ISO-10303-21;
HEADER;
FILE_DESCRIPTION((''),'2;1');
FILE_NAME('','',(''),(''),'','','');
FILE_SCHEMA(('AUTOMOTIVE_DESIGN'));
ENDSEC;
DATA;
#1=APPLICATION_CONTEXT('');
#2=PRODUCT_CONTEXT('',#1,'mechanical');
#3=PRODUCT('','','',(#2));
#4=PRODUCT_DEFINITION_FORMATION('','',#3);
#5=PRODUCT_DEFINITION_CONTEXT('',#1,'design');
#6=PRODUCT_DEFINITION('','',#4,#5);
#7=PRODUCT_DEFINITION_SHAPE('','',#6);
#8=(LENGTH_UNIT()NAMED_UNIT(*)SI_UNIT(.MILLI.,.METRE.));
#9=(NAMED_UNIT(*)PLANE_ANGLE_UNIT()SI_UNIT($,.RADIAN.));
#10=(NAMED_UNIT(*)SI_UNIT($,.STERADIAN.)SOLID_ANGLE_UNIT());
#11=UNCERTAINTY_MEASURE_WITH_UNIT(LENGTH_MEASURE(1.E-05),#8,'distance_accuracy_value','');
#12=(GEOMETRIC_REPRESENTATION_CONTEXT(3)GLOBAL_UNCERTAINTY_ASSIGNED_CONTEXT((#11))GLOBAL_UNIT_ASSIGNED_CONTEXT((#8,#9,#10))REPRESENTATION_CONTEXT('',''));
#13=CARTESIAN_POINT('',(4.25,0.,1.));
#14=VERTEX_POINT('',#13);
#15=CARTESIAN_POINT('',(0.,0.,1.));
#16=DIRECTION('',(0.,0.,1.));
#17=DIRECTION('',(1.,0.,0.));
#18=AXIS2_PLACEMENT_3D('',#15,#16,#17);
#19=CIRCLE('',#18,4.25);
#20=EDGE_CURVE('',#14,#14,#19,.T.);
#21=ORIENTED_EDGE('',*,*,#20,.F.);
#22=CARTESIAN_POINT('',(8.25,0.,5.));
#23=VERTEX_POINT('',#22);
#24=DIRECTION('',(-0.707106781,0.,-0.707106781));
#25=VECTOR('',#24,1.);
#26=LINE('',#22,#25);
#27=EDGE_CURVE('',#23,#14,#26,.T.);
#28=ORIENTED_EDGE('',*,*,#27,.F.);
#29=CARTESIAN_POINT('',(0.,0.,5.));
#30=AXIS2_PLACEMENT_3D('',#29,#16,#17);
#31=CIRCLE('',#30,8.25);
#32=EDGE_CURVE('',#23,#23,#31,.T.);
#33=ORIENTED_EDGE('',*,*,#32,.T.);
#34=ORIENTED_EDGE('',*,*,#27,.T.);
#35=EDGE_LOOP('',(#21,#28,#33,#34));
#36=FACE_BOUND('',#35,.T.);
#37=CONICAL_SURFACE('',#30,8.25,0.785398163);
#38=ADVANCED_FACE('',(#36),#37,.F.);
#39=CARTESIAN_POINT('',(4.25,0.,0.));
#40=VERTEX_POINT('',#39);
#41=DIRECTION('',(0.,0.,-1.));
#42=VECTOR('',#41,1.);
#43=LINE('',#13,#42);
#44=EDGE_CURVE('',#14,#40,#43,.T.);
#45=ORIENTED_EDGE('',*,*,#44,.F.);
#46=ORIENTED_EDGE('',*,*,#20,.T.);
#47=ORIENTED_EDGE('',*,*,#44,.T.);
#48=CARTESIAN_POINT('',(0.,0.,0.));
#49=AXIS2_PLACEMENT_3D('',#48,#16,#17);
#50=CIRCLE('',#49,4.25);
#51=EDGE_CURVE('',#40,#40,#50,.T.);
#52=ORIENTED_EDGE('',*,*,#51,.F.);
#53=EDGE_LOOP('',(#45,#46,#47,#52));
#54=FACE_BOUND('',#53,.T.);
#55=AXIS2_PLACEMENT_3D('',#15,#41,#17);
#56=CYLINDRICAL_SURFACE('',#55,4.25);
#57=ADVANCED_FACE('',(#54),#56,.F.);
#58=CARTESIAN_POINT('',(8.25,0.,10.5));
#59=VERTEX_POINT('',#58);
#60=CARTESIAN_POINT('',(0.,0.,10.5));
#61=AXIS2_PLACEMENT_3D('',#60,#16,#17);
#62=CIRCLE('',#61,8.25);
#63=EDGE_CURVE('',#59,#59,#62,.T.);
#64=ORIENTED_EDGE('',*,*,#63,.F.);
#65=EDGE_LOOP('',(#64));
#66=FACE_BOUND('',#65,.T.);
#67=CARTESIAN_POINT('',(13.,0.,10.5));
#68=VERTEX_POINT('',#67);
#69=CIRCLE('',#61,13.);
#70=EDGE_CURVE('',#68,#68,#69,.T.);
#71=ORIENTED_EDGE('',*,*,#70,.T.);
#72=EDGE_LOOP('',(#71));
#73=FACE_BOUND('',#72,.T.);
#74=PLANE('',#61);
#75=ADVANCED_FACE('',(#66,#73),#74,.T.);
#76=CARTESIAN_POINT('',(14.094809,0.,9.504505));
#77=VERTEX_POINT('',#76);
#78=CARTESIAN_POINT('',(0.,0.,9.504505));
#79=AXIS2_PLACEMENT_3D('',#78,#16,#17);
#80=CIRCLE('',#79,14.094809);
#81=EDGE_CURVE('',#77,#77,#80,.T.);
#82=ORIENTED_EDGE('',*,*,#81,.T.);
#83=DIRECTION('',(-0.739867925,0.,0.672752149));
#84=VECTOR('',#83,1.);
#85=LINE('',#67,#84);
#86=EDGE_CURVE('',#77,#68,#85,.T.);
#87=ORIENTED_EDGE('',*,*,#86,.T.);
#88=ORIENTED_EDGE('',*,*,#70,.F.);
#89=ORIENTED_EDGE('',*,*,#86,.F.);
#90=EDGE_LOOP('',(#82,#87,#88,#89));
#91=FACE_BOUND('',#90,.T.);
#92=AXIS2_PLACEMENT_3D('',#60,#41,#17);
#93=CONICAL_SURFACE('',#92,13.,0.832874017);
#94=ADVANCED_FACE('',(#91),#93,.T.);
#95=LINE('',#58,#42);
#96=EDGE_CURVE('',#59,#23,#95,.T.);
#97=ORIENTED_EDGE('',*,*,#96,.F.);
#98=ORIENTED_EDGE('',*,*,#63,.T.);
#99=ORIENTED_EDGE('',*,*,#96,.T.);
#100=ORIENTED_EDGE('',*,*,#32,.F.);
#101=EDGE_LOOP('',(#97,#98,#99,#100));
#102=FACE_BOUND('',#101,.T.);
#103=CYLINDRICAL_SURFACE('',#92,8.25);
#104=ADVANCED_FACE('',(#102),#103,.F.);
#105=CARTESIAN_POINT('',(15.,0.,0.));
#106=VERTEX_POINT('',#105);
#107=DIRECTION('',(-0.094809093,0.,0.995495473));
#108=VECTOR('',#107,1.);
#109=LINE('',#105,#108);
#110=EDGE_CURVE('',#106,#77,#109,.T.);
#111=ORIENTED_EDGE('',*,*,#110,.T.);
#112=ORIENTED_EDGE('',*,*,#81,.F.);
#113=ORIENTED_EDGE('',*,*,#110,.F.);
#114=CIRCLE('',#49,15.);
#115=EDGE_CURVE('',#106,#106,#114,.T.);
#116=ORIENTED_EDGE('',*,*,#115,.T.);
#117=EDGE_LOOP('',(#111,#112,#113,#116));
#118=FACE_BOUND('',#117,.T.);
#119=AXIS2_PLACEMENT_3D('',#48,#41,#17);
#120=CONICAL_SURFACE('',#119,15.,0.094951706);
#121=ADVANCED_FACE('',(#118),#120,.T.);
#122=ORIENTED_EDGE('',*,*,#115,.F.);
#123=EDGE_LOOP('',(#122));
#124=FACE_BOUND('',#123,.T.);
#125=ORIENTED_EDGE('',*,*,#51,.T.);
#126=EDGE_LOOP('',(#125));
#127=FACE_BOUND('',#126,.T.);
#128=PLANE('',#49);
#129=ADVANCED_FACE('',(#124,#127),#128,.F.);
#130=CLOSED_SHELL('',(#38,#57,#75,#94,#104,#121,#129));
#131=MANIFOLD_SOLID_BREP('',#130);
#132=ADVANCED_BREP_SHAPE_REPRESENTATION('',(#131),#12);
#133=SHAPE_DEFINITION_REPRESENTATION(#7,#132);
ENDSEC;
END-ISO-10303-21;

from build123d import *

# Parameters (mm, degrees)
F2_SIZE = 1


with BuildPart() as f1:
    # F0 (on Front) → F1 (revolve)
    with BuildSketch(Plane.XZ):
        Polygon((4.25, 1), (4.25, 0), (15, 0), (14, 10.5), (8.25, 10.5), (8.25, 5), align=None)
    revolve(axis=Axis((0, 0, 5.25), (0, 0, 1)))

    # F2
    f2_edges = [f1.edges().sort_by_distance(p)[0] for p in [
        (-14, 0, 10.5),
    ]]
    chamfer(f2_edges, length=F2_SIZE)


solid = f1.part
